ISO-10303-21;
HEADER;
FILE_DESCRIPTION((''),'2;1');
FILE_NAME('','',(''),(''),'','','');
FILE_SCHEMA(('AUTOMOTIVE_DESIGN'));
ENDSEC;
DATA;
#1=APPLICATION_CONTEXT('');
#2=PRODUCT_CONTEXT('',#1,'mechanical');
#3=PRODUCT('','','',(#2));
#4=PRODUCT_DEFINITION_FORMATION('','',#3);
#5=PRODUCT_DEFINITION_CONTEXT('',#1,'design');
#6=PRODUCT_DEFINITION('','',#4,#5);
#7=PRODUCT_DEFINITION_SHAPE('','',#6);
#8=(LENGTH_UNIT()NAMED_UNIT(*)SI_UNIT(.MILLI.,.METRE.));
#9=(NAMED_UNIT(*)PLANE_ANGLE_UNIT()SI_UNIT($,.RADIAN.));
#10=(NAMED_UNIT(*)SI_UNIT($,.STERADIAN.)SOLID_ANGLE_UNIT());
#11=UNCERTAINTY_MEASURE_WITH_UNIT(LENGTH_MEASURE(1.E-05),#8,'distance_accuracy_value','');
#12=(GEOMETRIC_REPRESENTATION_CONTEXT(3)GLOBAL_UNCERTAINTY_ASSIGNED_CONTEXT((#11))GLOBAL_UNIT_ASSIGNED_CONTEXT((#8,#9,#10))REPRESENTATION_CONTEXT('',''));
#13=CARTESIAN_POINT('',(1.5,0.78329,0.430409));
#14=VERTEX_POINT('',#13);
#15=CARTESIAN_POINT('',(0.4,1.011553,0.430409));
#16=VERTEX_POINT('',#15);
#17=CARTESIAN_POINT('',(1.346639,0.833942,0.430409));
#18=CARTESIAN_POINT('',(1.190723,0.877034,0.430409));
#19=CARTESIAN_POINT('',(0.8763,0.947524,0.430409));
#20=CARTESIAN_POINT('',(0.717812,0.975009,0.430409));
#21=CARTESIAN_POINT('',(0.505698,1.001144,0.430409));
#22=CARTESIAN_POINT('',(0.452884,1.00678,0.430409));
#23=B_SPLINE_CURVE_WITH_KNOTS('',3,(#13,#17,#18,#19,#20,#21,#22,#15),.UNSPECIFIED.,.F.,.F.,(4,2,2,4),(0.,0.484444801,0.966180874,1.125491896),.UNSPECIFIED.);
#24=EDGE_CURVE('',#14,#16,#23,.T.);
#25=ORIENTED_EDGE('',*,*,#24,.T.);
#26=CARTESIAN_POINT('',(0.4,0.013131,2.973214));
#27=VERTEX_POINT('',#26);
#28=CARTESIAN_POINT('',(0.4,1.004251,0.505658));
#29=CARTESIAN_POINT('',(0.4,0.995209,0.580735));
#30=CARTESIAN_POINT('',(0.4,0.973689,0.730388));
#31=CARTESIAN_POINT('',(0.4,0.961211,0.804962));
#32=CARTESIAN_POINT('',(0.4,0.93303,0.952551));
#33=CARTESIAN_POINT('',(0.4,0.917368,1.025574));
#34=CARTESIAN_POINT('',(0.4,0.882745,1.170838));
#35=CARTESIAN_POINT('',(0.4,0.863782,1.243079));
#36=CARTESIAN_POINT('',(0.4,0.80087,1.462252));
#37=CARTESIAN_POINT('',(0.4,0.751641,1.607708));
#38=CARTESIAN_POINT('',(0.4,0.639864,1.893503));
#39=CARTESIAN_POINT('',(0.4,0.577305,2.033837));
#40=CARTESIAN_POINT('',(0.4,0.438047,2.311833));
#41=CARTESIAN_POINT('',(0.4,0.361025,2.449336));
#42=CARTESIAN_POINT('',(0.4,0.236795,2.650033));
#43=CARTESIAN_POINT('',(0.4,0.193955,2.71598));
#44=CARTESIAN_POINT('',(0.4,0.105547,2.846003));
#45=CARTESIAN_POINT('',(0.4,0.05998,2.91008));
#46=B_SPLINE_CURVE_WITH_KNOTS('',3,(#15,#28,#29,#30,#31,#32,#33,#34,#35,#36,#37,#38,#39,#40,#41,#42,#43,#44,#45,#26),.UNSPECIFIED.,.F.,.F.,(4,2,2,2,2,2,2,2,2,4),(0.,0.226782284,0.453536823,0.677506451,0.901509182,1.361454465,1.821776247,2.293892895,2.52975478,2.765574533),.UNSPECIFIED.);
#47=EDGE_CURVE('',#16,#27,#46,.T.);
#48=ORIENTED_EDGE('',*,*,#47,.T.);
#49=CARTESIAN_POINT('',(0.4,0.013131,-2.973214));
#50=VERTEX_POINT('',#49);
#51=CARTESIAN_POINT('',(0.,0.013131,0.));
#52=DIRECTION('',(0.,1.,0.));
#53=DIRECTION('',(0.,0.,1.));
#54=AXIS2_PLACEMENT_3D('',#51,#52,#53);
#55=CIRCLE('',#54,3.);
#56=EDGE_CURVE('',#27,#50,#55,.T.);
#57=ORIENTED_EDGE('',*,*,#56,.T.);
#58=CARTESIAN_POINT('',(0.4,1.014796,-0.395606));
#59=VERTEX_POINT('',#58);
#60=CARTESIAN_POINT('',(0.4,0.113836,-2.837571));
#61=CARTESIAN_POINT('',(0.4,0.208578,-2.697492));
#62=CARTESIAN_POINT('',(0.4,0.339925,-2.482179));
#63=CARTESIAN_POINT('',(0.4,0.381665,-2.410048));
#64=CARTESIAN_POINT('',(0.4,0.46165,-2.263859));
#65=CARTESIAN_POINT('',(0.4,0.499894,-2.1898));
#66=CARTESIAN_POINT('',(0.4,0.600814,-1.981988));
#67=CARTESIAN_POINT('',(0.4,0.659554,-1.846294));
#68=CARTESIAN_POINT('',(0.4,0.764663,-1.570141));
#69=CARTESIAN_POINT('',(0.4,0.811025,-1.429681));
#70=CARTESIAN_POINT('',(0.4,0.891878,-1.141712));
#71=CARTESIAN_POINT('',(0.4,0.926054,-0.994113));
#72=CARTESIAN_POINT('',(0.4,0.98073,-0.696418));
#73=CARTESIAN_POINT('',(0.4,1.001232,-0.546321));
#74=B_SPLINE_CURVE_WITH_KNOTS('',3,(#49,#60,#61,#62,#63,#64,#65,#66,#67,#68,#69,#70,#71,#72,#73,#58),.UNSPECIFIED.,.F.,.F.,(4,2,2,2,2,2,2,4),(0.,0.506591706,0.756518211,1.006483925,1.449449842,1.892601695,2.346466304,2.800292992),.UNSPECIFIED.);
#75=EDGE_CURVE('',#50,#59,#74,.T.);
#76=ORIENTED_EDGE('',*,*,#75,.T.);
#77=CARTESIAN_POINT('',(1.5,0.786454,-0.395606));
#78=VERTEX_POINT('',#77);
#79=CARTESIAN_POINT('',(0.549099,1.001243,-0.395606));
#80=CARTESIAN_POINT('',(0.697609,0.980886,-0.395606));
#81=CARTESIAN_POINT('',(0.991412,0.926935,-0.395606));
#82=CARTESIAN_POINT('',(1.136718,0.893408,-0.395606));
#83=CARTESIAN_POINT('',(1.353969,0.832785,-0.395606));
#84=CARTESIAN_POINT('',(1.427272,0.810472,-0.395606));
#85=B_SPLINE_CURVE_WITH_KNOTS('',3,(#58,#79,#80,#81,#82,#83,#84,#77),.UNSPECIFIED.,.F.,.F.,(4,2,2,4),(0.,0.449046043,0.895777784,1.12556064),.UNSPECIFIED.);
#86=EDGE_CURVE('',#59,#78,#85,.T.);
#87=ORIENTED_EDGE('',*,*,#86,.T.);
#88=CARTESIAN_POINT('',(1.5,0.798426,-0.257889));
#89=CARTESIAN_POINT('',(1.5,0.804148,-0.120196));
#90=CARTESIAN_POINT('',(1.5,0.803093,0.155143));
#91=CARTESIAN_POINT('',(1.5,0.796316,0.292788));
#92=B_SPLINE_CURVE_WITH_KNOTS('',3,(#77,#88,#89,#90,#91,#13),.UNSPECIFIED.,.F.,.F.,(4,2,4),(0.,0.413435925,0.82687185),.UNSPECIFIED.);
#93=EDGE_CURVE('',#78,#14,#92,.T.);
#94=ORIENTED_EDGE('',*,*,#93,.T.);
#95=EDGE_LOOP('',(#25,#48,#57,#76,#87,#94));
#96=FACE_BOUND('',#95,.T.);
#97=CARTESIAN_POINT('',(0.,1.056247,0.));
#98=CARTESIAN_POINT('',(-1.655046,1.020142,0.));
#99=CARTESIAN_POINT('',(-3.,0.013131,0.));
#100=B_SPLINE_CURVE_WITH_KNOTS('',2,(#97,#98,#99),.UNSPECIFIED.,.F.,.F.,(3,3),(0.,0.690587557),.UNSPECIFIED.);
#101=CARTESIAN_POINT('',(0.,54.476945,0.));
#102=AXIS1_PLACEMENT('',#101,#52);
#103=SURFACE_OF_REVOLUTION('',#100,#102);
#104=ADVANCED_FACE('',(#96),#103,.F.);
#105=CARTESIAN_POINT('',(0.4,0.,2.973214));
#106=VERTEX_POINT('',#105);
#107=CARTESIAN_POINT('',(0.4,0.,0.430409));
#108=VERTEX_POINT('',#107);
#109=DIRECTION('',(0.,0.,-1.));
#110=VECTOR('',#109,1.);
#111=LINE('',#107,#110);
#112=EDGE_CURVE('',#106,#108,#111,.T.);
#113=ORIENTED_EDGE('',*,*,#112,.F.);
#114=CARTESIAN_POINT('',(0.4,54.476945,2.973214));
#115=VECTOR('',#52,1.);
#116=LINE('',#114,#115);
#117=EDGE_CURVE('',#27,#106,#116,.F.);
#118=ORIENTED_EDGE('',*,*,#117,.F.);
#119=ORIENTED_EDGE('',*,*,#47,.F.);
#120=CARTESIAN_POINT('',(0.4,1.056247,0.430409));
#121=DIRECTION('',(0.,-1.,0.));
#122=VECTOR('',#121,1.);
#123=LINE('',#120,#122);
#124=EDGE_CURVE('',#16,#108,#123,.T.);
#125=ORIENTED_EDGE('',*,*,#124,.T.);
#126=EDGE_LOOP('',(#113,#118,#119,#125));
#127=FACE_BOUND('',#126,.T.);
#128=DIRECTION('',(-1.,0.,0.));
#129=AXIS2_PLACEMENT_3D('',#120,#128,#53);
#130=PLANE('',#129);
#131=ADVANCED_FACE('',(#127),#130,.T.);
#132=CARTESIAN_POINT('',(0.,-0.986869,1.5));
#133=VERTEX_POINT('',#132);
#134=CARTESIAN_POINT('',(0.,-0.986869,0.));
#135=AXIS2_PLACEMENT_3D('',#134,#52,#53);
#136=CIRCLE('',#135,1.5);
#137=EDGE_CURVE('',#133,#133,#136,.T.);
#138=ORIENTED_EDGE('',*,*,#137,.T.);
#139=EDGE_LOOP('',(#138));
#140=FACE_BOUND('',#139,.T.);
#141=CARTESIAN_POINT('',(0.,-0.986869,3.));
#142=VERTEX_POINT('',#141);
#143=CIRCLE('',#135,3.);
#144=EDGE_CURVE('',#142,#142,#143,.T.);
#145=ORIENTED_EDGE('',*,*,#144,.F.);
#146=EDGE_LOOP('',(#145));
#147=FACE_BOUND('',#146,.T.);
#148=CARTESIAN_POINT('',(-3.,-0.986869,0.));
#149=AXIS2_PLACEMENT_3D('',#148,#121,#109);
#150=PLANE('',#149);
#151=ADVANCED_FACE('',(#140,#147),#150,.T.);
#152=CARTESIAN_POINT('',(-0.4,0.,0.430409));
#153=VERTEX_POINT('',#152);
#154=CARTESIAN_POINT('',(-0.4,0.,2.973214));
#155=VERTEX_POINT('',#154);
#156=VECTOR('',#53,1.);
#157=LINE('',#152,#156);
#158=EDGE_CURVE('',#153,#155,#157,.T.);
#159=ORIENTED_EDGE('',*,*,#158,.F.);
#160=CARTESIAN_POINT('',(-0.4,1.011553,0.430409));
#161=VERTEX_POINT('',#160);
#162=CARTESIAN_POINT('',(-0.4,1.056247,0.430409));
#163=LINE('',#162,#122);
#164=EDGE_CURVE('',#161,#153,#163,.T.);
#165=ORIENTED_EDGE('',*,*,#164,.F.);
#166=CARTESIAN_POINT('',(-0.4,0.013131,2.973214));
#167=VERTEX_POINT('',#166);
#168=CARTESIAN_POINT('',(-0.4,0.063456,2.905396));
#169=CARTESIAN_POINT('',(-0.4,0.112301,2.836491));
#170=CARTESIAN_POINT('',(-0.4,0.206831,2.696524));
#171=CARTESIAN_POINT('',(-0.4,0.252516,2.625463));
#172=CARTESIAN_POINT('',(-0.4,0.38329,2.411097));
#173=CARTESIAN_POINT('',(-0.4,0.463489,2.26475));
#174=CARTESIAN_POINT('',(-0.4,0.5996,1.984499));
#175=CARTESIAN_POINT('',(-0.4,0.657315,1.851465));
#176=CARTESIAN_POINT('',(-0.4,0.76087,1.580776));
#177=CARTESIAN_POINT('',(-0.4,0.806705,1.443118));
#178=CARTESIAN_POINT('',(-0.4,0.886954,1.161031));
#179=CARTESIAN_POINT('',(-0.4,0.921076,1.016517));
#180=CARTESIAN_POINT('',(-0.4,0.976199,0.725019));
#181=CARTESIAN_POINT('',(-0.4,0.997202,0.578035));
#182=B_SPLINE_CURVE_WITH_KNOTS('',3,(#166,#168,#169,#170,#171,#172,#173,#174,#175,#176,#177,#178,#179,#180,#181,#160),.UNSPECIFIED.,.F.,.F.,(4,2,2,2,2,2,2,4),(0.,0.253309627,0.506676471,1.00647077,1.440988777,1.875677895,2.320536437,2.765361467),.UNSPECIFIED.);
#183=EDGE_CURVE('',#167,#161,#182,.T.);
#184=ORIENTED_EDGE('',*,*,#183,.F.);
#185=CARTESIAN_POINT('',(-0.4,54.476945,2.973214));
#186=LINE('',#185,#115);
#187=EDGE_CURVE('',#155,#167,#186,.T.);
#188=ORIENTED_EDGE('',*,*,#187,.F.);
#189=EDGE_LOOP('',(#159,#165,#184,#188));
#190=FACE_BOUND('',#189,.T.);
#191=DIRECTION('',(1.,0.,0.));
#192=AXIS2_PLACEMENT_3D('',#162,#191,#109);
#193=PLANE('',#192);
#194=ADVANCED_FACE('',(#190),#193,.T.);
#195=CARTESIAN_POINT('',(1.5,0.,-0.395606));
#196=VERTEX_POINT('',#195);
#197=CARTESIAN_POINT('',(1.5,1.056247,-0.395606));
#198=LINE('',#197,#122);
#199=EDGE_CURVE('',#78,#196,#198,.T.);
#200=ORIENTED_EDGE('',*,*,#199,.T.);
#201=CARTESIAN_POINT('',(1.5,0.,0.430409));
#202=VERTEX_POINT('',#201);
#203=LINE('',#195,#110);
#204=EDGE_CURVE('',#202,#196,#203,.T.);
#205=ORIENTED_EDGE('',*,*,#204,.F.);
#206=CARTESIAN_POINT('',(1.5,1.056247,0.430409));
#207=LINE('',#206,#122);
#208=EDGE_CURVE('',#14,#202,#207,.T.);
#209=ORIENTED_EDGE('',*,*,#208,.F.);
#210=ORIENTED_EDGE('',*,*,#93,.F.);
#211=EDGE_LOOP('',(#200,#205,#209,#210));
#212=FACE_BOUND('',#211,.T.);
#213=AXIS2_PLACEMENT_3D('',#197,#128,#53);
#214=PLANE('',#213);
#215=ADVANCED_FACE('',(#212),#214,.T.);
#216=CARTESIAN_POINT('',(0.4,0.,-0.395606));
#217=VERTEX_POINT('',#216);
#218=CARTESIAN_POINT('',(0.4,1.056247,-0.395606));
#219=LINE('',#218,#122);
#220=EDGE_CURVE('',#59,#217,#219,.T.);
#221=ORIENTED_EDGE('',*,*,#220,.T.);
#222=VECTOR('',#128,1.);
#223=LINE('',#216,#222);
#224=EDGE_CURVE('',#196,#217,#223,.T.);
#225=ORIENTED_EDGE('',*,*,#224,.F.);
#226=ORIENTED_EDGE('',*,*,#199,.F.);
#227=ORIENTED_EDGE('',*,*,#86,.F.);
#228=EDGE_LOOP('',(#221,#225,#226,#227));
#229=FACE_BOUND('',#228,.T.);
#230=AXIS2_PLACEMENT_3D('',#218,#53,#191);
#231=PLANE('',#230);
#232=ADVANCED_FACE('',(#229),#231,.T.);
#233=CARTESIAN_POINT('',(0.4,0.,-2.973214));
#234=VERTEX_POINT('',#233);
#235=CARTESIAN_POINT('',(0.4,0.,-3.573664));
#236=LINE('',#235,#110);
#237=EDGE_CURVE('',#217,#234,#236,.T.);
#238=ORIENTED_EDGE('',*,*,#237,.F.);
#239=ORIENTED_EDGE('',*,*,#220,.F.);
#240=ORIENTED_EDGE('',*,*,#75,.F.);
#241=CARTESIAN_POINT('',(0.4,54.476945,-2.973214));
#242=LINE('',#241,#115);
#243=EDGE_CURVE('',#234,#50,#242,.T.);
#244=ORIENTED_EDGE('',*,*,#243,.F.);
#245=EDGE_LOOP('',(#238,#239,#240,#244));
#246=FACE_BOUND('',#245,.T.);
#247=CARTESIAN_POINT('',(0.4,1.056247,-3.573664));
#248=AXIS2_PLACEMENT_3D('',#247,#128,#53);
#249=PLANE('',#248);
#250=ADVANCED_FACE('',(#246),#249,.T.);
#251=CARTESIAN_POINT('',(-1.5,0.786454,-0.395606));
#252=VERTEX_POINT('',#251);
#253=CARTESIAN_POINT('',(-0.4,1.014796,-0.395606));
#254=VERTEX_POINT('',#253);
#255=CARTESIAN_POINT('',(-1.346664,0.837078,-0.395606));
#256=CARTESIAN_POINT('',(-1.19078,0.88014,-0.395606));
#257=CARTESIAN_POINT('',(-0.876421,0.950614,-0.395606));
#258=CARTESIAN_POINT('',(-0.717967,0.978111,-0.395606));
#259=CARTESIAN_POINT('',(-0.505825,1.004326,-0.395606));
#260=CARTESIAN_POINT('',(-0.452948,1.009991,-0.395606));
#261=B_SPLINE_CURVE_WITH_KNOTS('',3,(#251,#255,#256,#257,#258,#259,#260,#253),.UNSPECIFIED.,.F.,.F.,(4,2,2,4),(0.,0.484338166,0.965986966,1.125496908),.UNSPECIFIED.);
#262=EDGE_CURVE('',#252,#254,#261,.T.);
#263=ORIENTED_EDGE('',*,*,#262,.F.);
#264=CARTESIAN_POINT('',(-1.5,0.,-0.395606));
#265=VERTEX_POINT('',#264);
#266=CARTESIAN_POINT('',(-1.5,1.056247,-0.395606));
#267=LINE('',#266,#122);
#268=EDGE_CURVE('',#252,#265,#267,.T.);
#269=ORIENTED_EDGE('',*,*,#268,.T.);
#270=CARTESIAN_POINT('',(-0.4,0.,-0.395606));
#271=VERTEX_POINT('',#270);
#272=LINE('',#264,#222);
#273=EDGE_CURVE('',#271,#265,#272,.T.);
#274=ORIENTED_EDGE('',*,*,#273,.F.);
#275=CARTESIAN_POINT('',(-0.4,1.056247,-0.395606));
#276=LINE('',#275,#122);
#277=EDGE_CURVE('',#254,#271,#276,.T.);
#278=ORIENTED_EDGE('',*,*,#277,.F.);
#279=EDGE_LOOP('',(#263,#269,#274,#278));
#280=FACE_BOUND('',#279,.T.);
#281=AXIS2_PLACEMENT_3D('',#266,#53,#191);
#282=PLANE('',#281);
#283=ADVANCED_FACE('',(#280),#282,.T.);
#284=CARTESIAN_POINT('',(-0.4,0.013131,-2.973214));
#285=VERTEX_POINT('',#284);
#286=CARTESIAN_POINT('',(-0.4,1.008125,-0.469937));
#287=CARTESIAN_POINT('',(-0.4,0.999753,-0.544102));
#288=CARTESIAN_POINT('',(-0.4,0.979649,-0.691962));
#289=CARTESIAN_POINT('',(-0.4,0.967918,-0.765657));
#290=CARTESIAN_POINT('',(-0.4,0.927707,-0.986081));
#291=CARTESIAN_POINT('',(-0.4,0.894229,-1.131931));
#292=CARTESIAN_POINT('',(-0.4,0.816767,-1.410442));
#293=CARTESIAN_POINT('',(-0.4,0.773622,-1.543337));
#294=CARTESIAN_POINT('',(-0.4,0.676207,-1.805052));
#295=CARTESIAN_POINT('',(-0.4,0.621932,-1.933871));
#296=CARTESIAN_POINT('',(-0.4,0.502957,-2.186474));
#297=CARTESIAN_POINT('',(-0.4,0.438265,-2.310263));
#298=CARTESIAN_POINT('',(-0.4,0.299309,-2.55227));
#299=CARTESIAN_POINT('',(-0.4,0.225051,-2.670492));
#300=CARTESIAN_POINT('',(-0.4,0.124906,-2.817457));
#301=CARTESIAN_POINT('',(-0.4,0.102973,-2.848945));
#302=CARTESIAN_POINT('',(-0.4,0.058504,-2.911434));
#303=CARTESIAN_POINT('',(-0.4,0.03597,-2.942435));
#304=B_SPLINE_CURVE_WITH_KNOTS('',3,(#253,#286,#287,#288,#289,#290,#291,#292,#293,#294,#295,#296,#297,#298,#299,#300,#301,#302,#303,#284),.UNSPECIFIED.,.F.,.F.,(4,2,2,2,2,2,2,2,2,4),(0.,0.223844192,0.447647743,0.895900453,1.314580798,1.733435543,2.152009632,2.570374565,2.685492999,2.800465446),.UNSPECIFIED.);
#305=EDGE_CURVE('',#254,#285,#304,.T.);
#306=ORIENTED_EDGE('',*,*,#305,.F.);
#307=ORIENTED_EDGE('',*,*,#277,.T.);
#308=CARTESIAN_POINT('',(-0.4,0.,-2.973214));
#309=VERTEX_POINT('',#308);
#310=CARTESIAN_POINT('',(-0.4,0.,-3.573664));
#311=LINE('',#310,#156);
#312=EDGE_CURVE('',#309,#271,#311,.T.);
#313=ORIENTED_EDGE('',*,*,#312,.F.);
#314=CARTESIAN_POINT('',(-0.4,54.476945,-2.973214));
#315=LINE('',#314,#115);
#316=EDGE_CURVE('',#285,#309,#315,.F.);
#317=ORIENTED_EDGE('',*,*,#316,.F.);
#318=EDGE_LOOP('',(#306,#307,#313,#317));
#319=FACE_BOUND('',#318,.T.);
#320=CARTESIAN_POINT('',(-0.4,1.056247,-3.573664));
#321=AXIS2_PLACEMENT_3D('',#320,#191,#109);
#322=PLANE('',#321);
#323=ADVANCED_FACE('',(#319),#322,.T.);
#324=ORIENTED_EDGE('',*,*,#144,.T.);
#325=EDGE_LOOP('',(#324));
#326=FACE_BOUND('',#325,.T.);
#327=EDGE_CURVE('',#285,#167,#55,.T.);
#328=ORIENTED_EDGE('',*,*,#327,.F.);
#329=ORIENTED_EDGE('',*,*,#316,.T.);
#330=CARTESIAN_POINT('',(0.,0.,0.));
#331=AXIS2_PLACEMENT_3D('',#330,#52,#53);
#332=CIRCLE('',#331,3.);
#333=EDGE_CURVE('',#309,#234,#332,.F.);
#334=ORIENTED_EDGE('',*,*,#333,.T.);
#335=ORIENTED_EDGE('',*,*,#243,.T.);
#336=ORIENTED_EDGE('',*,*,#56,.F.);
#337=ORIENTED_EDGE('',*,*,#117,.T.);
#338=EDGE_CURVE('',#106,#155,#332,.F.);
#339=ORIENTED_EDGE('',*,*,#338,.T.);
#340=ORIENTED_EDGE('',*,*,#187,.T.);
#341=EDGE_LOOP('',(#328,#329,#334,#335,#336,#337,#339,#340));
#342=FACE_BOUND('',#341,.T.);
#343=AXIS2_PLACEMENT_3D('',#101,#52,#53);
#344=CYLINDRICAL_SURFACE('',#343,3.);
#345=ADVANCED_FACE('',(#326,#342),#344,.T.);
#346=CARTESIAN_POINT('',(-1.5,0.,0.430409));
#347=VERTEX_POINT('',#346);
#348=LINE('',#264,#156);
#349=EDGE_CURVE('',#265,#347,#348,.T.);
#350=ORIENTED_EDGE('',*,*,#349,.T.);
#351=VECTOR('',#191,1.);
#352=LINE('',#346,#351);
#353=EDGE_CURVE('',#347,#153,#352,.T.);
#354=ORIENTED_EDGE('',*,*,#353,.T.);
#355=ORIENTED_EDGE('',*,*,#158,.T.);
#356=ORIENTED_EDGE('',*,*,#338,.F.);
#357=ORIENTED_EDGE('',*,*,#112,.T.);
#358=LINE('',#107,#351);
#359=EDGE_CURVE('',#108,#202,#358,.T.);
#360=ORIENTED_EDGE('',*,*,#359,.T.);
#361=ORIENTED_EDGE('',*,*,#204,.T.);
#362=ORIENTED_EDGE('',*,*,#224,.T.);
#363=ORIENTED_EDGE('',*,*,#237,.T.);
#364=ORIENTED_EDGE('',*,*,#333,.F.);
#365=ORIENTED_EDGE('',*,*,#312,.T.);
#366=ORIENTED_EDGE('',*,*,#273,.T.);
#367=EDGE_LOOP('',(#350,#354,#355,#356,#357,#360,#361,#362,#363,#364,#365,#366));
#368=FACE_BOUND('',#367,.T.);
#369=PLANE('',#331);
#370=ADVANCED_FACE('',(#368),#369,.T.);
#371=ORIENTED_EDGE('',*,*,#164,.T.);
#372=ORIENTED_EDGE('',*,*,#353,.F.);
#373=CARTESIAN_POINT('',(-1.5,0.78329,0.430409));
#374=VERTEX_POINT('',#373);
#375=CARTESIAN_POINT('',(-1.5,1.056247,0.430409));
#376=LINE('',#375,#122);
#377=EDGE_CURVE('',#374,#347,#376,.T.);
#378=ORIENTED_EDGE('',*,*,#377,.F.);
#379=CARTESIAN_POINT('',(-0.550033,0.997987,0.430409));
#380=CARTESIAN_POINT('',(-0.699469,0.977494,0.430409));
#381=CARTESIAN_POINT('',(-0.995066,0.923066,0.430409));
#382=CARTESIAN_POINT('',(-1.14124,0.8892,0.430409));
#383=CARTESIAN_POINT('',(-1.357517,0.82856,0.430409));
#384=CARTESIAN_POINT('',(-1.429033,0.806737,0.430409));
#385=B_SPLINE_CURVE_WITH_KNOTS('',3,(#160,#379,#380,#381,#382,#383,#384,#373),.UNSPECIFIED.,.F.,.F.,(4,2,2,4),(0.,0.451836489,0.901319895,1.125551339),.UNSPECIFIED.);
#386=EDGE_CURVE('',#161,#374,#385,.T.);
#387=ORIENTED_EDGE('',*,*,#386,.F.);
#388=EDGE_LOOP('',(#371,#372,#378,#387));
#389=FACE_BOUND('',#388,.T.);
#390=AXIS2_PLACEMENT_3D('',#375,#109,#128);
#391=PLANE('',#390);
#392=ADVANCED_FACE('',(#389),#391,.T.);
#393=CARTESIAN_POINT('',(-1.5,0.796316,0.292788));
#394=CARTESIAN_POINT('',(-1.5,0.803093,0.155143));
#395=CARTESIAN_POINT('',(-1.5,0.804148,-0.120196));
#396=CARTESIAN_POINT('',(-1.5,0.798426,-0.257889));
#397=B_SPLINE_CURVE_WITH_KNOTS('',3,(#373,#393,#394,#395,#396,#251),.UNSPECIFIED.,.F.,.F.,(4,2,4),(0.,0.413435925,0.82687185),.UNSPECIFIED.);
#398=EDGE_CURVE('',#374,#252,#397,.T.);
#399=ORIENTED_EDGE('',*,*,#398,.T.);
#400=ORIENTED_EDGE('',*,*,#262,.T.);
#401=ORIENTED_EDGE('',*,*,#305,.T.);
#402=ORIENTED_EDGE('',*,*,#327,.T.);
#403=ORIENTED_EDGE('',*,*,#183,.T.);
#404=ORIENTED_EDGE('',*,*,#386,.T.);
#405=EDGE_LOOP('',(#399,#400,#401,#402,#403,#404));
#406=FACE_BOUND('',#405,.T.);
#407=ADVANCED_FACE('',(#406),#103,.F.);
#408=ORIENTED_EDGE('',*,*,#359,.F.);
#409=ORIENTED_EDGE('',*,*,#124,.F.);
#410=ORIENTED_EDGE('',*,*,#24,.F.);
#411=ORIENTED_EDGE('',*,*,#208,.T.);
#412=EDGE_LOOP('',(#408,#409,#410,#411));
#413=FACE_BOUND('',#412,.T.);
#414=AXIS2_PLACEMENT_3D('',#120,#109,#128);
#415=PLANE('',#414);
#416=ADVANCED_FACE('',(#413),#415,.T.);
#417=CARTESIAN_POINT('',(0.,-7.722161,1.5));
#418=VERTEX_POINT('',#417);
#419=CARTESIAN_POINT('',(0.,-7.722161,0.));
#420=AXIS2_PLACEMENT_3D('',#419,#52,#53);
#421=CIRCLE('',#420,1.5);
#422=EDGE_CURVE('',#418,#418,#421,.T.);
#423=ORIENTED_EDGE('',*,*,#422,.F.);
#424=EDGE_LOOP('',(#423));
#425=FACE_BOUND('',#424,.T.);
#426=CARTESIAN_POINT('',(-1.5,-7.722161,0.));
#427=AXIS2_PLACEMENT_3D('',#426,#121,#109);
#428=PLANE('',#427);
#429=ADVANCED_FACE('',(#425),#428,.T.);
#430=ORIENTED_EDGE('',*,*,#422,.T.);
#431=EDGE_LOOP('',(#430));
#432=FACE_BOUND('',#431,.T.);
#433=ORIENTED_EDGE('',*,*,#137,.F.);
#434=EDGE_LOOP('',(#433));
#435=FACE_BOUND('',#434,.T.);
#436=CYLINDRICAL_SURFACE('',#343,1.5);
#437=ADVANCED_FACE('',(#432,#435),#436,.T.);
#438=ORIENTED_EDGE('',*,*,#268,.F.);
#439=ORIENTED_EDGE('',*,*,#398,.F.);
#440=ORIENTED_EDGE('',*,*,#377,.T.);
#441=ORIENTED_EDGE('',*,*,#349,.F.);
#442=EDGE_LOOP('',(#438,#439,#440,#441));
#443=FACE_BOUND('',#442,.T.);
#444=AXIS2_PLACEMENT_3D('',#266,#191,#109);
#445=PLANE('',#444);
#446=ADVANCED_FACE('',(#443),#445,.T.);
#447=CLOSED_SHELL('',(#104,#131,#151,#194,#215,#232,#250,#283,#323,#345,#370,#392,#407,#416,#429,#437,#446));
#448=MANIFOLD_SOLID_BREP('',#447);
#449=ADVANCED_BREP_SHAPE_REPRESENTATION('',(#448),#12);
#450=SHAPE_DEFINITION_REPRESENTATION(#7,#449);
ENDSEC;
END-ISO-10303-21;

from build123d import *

# Parameters (mm, degrees)
SCHNITT_LINEAR_AUSTRAGEN1_DEPTH = 2.056247308


with BuildPart() as part:
    # Skizze1 → Rotation1 (revolve)
    with BuildSketch(Plane.XY):
        with BuildLine():
            Line((-3, -0.986868648), (-1.5, -0.986868648))
            Line((-1.5, -0.986868648), (-1.5, -7.722161257))
            Line((-1.5, -7.722161257), (0, -7.722161257))
            Line((0, -7.722161257), (0, 1.056247208))
            add(Edge.make_bspline(
                [(-3, 0.013131352), (-1.65504596, 1.020141519), (0, 1.056247208)],
                knots=[0, 0, 0, 0.690587557, 0.690587557, 0.690587557], degree=2))
            Line((-3, 0.013131352), (-3, -0.986868648))
        make_face()
    revolve(axis=Axis((0, 54.476945253, 0), (0, -1, 0)))

    # Skizze2 → Schnitt-Linear austragen1 (cut, through all)
    with BuildSketch(Plane(origin=(0, 0, 0), x_dir=(1, 0, 0), z_dir=(0, 1, 0))):
        Polygon((-0.4, 3.573663987), (0.4, 3.573663987), (0.4, 0.395605851), (1.5, 0.395605851), (1.5, -0.43040926), (0.4, -0.43040926), (0.4, -3.41246381), (-0.4, -3.41246381), (-0.4, -0.43040926), (-1.5, -0.43040926), (-1.5, 0.395605851), (-0.4, 0.395605851), align=None)
    extrude(amount=SCHNITT_LINEAR_AUSTRAGEN1_DEPTH, mode=Mode.SUBTRACT)


solid = part.part
